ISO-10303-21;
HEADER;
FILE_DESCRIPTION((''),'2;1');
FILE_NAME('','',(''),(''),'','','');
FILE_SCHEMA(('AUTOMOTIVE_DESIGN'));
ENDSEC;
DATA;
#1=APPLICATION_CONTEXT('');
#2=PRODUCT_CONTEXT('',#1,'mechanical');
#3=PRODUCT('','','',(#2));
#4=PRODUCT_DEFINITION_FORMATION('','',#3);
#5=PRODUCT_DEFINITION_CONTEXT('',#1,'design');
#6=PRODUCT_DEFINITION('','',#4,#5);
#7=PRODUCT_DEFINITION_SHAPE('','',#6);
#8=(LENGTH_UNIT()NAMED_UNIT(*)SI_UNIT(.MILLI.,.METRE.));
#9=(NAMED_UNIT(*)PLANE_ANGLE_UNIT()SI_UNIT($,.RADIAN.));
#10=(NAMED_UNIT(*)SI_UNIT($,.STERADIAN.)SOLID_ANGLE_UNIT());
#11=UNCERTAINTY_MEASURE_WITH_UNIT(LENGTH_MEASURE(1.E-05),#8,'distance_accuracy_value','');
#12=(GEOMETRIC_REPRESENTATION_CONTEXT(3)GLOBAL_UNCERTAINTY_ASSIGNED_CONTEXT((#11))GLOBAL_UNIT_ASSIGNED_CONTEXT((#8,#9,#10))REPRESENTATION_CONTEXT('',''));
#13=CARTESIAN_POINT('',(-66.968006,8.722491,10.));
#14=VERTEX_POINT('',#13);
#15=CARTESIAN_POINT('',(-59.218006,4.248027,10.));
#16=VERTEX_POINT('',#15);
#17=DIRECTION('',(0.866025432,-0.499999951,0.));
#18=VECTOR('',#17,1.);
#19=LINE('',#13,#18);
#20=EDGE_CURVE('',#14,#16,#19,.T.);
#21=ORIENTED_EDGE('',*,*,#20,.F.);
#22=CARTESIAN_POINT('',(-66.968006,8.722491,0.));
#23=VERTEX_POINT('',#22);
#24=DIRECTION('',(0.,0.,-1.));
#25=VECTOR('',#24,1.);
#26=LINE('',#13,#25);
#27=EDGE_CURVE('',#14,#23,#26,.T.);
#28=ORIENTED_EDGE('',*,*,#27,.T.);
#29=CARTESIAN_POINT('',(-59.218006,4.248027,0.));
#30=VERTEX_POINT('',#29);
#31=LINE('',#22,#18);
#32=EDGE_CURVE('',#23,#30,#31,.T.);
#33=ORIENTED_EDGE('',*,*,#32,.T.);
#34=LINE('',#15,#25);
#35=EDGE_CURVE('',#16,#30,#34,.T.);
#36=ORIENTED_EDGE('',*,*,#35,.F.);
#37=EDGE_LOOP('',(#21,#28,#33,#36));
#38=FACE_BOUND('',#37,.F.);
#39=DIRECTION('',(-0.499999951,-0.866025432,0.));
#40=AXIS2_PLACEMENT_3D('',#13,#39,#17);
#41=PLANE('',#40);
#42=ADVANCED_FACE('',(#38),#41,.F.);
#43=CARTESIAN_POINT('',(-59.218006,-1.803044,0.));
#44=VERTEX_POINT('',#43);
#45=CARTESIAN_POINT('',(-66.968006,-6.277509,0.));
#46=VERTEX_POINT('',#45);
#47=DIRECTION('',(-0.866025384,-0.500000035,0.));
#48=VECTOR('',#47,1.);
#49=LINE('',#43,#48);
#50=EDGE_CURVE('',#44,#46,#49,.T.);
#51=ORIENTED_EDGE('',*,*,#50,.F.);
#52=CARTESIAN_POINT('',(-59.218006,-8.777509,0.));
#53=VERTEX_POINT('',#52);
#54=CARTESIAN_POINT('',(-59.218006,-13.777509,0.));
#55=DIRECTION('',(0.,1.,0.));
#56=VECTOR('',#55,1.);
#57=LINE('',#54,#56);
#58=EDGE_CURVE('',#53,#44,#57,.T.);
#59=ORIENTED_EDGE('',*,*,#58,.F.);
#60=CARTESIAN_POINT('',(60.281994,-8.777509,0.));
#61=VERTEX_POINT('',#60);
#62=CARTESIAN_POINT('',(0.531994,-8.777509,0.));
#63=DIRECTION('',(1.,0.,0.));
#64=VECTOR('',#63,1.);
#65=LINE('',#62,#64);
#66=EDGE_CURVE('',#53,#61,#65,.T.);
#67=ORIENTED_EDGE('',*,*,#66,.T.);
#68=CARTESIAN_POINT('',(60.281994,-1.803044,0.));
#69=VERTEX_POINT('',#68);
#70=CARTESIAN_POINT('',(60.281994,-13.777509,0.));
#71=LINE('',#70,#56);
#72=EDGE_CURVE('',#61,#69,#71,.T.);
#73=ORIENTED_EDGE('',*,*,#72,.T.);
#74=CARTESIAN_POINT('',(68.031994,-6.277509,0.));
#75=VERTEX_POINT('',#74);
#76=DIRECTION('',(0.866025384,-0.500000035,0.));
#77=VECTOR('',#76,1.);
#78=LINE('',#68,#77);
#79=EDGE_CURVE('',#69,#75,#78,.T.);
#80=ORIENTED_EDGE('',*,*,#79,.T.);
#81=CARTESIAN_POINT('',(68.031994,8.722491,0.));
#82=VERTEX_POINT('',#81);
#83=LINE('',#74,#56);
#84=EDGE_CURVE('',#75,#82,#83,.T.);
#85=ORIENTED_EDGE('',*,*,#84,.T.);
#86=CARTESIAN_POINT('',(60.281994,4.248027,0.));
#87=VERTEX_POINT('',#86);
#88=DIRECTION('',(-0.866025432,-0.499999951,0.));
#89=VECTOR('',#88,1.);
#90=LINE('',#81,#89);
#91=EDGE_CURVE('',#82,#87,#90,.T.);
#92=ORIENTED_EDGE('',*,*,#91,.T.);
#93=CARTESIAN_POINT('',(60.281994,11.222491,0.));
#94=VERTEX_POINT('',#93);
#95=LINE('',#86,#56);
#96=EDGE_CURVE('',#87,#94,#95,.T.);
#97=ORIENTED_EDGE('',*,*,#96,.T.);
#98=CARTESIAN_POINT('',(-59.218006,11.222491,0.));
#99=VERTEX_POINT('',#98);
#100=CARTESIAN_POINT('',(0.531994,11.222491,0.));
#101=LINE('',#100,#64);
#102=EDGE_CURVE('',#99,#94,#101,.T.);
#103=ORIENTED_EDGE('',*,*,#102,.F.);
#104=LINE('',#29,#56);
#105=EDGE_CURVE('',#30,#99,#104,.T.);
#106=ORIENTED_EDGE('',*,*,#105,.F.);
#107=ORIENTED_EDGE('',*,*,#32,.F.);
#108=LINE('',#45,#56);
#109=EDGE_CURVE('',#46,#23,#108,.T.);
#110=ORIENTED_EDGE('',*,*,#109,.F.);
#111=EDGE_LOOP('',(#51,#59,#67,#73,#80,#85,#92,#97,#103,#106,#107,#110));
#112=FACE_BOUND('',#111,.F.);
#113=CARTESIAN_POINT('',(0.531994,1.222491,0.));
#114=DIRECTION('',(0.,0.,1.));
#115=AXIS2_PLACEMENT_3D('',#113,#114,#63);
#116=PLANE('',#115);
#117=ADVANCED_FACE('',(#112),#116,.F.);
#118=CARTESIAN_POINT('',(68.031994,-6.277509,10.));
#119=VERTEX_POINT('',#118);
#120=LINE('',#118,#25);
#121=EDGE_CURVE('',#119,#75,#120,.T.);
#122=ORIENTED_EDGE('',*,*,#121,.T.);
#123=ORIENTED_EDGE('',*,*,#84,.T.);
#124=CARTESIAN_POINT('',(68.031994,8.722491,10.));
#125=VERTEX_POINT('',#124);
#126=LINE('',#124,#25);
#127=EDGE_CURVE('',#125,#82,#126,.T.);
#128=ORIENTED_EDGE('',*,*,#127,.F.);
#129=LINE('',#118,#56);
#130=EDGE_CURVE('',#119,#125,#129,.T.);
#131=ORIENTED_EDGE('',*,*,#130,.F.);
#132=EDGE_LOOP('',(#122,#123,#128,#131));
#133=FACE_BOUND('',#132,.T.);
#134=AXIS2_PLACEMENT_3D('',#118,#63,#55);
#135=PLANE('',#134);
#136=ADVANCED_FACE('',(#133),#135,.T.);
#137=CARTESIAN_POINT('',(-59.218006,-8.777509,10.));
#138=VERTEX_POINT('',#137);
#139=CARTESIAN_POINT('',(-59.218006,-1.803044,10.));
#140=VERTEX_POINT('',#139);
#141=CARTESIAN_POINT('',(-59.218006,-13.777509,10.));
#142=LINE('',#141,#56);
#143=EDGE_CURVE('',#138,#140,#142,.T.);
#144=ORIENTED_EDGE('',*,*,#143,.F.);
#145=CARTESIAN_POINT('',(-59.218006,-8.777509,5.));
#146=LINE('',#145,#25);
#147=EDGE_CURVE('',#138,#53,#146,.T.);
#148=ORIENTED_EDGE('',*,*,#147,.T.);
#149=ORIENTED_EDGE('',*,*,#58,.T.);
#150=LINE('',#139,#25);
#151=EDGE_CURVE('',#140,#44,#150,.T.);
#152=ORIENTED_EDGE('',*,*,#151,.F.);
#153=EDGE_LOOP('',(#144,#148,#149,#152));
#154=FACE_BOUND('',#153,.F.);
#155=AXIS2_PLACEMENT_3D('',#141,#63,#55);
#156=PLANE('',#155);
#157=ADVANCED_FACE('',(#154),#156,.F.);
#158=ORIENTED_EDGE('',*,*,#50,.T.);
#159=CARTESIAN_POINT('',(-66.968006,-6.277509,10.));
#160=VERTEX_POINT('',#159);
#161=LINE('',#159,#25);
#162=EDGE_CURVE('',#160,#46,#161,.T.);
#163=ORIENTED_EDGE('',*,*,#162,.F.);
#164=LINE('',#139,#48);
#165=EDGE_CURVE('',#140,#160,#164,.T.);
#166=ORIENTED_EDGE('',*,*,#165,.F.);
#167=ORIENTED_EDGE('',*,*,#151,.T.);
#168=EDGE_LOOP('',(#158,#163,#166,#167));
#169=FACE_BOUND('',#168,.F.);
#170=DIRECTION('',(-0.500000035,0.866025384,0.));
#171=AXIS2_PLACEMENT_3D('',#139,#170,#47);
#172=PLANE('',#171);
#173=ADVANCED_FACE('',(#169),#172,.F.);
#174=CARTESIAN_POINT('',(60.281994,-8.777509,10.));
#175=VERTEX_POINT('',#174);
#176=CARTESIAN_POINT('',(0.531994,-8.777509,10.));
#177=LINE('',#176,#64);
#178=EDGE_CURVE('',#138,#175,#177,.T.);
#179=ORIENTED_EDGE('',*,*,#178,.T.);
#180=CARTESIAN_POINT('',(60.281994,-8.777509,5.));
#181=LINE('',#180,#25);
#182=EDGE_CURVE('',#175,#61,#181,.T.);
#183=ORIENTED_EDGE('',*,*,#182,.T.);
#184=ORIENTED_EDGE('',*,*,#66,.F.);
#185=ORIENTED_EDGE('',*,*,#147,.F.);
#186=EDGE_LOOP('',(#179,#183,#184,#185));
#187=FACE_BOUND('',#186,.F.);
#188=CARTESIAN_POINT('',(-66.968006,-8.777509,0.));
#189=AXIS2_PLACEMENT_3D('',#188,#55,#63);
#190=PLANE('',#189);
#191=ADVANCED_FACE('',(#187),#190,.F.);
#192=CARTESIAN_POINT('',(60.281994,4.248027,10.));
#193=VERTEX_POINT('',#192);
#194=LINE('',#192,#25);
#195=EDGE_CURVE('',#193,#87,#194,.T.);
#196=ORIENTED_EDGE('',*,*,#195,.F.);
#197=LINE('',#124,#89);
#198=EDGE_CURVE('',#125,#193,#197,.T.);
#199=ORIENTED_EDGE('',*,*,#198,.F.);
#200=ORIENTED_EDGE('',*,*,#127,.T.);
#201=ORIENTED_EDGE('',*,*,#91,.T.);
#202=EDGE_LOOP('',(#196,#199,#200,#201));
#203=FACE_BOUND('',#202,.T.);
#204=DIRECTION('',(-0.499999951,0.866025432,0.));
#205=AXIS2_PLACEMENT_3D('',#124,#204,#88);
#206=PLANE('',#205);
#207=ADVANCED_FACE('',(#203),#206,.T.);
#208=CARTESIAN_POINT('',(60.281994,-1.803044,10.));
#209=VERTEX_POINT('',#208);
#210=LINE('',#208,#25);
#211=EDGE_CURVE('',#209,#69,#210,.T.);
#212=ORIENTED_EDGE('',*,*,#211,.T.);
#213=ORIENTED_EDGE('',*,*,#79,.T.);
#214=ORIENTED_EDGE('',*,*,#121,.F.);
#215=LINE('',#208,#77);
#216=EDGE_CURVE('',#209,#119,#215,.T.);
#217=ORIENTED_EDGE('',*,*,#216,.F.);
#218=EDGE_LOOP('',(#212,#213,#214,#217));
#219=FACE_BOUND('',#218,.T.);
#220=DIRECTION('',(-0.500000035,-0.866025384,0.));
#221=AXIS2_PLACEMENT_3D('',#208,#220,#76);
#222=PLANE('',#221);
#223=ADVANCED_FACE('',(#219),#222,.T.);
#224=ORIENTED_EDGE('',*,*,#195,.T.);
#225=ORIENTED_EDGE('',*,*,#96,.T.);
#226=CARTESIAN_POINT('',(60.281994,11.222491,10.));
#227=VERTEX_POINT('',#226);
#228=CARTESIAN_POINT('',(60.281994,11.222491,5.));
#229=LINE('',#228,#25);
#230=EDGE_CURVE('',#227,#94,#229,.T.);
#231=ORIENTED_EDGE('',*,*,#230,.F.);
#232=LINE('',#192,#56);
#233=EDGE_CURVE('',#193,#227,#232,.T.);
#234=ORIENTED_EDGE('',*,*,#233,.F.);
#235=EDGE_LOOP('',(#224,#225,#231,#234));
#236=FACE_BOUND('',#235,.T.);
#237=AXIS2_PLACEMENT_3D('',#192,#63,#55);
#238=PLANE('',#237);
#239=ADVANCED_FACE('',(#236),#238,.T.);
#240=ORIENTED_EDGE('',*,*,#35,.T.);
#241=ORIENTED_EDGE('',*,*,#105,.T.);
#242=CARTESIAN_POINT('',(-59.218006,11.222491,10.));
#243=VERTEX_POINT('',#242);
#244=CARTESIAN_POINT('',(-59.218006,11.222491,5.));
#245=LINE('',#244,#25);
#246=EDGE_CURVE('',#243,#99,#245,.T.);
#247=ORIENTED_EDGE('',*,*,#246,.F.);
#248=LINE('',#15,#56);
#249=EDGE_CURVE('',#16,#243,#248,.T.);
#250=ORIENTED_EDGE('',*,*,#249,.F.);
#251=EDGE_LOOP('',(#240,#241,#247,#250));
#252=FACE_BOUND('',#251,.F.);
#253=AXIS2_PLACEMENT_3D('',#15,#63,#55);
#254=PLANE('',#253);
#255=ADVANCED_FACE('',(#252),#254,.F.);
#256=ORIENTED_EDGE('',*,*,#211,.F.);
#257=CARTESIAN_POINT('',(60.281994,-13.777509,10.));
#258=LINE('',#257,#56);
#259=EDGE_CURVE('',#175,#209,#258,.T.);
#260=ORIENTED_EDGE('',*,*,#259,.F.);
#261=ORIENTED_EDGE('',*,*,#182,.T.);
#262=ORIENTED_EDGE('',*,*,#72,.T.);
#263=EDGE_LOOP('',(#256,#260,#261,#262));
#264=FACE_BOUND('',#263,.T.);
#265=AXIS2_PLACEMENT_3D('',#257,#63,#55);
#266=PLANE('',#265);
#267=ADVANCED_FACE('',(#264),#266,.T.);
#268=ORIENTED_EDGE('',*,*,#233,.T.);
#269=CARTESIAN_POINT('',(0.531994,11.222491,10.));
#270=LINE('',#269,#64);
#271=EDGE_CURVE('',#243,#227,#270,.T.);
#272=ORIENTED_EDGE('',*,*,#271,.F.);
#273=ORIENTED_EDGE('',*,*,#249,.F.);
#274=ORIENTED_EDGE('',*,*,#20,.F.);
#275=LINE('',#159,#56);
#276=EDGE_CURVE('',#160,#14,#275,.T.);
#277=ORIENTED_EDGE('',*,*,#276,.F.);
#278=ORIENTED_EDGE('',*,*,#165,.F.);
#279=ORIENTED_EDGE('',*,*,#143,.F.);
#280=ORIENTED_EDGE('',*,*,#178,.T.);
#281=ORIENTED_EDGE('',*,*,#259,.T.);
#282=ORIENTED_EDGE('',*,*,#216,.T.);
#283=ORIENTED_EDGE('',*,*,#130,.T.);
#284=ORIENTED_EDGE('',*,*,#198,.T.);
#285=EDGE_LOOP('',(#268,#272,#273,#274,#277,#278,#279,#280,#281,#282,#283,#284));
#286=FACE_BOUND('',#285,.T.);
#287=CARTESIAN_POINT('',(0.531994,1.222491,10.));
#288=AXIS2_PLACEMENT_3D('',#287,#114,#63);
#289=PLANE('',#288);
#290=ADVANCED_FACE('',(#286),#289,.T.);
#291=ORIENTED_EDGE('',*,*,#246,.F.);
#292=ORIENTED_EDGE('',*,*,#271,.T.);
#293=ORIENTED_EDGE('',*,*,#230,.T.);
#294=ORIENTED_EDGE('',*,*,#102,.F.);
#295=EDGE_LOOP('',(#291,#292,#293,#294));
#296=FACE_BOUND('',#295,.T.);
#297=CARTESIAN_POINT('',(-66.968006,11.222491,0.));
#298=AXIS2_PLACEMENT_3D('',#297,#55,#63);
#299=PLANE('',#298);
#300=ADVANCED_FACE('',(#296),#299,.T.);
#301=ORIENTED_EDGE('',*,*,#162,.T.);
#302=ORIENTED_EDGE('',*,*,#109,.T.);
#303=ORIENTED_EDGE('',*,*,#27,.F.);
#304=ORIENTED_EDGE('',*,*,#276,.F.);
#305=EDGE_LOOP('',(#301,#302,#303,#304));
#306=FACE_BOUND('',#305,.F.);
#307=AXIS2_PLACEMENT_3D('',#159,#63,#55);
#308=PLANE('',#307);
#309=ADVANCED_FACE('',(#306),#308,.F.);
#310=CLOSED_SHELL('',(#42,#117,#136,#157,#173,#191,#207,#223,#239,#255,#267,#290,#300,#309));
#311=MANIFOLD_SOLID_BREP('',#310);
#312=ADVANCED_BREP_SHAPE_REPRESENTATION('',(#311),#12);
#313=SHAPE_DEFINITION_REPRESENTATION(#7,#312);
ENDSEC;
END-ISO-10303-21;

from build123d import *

# Parameters (mm, degrees)
SKETCH_W     = 135
SKETCH_H     = 20
PAD_DEPTH    = 10
POCKET_DEPTH = 10


with BuildPart() as part:
    # Sketch → Pad (new body)
    with BuildSketch(Plane.XY):
        with Locations((0.531994, 1.222491)):
            Rectangle(SKETCH_W, SKETCH_H)
    extrude(amount=PAD_DEPTH)

    # Sketch001 (on Face6 of Pad) → Pocket (cut)
    with BuildSketch(Plane.XY.offset(10)):
        Polygon((-66.968006, 8.722491), (-59.218006, 4.248027), (-59.218006, 16.222491), (-71.968006, 16.222491), (-71.968006, -13.777509), (-59.218006, -13.777509), (-59.218006, -1.803044), (-66.968006, -6.277509), align=None)
        Polygon((68.031994, 8.722491), (60.281994, 4.248027), (60.281994, 16.222491), (73.031994, 16.222491), (73.031994, -13.777509), (60.281994, -13.777509), (60.281994, -1.803044), (68.031994, -6.277509), align=None)
    extrude(amount=-POCKET_DEPTH, mode=Mode.SUBTRACT)


solid = part.part
